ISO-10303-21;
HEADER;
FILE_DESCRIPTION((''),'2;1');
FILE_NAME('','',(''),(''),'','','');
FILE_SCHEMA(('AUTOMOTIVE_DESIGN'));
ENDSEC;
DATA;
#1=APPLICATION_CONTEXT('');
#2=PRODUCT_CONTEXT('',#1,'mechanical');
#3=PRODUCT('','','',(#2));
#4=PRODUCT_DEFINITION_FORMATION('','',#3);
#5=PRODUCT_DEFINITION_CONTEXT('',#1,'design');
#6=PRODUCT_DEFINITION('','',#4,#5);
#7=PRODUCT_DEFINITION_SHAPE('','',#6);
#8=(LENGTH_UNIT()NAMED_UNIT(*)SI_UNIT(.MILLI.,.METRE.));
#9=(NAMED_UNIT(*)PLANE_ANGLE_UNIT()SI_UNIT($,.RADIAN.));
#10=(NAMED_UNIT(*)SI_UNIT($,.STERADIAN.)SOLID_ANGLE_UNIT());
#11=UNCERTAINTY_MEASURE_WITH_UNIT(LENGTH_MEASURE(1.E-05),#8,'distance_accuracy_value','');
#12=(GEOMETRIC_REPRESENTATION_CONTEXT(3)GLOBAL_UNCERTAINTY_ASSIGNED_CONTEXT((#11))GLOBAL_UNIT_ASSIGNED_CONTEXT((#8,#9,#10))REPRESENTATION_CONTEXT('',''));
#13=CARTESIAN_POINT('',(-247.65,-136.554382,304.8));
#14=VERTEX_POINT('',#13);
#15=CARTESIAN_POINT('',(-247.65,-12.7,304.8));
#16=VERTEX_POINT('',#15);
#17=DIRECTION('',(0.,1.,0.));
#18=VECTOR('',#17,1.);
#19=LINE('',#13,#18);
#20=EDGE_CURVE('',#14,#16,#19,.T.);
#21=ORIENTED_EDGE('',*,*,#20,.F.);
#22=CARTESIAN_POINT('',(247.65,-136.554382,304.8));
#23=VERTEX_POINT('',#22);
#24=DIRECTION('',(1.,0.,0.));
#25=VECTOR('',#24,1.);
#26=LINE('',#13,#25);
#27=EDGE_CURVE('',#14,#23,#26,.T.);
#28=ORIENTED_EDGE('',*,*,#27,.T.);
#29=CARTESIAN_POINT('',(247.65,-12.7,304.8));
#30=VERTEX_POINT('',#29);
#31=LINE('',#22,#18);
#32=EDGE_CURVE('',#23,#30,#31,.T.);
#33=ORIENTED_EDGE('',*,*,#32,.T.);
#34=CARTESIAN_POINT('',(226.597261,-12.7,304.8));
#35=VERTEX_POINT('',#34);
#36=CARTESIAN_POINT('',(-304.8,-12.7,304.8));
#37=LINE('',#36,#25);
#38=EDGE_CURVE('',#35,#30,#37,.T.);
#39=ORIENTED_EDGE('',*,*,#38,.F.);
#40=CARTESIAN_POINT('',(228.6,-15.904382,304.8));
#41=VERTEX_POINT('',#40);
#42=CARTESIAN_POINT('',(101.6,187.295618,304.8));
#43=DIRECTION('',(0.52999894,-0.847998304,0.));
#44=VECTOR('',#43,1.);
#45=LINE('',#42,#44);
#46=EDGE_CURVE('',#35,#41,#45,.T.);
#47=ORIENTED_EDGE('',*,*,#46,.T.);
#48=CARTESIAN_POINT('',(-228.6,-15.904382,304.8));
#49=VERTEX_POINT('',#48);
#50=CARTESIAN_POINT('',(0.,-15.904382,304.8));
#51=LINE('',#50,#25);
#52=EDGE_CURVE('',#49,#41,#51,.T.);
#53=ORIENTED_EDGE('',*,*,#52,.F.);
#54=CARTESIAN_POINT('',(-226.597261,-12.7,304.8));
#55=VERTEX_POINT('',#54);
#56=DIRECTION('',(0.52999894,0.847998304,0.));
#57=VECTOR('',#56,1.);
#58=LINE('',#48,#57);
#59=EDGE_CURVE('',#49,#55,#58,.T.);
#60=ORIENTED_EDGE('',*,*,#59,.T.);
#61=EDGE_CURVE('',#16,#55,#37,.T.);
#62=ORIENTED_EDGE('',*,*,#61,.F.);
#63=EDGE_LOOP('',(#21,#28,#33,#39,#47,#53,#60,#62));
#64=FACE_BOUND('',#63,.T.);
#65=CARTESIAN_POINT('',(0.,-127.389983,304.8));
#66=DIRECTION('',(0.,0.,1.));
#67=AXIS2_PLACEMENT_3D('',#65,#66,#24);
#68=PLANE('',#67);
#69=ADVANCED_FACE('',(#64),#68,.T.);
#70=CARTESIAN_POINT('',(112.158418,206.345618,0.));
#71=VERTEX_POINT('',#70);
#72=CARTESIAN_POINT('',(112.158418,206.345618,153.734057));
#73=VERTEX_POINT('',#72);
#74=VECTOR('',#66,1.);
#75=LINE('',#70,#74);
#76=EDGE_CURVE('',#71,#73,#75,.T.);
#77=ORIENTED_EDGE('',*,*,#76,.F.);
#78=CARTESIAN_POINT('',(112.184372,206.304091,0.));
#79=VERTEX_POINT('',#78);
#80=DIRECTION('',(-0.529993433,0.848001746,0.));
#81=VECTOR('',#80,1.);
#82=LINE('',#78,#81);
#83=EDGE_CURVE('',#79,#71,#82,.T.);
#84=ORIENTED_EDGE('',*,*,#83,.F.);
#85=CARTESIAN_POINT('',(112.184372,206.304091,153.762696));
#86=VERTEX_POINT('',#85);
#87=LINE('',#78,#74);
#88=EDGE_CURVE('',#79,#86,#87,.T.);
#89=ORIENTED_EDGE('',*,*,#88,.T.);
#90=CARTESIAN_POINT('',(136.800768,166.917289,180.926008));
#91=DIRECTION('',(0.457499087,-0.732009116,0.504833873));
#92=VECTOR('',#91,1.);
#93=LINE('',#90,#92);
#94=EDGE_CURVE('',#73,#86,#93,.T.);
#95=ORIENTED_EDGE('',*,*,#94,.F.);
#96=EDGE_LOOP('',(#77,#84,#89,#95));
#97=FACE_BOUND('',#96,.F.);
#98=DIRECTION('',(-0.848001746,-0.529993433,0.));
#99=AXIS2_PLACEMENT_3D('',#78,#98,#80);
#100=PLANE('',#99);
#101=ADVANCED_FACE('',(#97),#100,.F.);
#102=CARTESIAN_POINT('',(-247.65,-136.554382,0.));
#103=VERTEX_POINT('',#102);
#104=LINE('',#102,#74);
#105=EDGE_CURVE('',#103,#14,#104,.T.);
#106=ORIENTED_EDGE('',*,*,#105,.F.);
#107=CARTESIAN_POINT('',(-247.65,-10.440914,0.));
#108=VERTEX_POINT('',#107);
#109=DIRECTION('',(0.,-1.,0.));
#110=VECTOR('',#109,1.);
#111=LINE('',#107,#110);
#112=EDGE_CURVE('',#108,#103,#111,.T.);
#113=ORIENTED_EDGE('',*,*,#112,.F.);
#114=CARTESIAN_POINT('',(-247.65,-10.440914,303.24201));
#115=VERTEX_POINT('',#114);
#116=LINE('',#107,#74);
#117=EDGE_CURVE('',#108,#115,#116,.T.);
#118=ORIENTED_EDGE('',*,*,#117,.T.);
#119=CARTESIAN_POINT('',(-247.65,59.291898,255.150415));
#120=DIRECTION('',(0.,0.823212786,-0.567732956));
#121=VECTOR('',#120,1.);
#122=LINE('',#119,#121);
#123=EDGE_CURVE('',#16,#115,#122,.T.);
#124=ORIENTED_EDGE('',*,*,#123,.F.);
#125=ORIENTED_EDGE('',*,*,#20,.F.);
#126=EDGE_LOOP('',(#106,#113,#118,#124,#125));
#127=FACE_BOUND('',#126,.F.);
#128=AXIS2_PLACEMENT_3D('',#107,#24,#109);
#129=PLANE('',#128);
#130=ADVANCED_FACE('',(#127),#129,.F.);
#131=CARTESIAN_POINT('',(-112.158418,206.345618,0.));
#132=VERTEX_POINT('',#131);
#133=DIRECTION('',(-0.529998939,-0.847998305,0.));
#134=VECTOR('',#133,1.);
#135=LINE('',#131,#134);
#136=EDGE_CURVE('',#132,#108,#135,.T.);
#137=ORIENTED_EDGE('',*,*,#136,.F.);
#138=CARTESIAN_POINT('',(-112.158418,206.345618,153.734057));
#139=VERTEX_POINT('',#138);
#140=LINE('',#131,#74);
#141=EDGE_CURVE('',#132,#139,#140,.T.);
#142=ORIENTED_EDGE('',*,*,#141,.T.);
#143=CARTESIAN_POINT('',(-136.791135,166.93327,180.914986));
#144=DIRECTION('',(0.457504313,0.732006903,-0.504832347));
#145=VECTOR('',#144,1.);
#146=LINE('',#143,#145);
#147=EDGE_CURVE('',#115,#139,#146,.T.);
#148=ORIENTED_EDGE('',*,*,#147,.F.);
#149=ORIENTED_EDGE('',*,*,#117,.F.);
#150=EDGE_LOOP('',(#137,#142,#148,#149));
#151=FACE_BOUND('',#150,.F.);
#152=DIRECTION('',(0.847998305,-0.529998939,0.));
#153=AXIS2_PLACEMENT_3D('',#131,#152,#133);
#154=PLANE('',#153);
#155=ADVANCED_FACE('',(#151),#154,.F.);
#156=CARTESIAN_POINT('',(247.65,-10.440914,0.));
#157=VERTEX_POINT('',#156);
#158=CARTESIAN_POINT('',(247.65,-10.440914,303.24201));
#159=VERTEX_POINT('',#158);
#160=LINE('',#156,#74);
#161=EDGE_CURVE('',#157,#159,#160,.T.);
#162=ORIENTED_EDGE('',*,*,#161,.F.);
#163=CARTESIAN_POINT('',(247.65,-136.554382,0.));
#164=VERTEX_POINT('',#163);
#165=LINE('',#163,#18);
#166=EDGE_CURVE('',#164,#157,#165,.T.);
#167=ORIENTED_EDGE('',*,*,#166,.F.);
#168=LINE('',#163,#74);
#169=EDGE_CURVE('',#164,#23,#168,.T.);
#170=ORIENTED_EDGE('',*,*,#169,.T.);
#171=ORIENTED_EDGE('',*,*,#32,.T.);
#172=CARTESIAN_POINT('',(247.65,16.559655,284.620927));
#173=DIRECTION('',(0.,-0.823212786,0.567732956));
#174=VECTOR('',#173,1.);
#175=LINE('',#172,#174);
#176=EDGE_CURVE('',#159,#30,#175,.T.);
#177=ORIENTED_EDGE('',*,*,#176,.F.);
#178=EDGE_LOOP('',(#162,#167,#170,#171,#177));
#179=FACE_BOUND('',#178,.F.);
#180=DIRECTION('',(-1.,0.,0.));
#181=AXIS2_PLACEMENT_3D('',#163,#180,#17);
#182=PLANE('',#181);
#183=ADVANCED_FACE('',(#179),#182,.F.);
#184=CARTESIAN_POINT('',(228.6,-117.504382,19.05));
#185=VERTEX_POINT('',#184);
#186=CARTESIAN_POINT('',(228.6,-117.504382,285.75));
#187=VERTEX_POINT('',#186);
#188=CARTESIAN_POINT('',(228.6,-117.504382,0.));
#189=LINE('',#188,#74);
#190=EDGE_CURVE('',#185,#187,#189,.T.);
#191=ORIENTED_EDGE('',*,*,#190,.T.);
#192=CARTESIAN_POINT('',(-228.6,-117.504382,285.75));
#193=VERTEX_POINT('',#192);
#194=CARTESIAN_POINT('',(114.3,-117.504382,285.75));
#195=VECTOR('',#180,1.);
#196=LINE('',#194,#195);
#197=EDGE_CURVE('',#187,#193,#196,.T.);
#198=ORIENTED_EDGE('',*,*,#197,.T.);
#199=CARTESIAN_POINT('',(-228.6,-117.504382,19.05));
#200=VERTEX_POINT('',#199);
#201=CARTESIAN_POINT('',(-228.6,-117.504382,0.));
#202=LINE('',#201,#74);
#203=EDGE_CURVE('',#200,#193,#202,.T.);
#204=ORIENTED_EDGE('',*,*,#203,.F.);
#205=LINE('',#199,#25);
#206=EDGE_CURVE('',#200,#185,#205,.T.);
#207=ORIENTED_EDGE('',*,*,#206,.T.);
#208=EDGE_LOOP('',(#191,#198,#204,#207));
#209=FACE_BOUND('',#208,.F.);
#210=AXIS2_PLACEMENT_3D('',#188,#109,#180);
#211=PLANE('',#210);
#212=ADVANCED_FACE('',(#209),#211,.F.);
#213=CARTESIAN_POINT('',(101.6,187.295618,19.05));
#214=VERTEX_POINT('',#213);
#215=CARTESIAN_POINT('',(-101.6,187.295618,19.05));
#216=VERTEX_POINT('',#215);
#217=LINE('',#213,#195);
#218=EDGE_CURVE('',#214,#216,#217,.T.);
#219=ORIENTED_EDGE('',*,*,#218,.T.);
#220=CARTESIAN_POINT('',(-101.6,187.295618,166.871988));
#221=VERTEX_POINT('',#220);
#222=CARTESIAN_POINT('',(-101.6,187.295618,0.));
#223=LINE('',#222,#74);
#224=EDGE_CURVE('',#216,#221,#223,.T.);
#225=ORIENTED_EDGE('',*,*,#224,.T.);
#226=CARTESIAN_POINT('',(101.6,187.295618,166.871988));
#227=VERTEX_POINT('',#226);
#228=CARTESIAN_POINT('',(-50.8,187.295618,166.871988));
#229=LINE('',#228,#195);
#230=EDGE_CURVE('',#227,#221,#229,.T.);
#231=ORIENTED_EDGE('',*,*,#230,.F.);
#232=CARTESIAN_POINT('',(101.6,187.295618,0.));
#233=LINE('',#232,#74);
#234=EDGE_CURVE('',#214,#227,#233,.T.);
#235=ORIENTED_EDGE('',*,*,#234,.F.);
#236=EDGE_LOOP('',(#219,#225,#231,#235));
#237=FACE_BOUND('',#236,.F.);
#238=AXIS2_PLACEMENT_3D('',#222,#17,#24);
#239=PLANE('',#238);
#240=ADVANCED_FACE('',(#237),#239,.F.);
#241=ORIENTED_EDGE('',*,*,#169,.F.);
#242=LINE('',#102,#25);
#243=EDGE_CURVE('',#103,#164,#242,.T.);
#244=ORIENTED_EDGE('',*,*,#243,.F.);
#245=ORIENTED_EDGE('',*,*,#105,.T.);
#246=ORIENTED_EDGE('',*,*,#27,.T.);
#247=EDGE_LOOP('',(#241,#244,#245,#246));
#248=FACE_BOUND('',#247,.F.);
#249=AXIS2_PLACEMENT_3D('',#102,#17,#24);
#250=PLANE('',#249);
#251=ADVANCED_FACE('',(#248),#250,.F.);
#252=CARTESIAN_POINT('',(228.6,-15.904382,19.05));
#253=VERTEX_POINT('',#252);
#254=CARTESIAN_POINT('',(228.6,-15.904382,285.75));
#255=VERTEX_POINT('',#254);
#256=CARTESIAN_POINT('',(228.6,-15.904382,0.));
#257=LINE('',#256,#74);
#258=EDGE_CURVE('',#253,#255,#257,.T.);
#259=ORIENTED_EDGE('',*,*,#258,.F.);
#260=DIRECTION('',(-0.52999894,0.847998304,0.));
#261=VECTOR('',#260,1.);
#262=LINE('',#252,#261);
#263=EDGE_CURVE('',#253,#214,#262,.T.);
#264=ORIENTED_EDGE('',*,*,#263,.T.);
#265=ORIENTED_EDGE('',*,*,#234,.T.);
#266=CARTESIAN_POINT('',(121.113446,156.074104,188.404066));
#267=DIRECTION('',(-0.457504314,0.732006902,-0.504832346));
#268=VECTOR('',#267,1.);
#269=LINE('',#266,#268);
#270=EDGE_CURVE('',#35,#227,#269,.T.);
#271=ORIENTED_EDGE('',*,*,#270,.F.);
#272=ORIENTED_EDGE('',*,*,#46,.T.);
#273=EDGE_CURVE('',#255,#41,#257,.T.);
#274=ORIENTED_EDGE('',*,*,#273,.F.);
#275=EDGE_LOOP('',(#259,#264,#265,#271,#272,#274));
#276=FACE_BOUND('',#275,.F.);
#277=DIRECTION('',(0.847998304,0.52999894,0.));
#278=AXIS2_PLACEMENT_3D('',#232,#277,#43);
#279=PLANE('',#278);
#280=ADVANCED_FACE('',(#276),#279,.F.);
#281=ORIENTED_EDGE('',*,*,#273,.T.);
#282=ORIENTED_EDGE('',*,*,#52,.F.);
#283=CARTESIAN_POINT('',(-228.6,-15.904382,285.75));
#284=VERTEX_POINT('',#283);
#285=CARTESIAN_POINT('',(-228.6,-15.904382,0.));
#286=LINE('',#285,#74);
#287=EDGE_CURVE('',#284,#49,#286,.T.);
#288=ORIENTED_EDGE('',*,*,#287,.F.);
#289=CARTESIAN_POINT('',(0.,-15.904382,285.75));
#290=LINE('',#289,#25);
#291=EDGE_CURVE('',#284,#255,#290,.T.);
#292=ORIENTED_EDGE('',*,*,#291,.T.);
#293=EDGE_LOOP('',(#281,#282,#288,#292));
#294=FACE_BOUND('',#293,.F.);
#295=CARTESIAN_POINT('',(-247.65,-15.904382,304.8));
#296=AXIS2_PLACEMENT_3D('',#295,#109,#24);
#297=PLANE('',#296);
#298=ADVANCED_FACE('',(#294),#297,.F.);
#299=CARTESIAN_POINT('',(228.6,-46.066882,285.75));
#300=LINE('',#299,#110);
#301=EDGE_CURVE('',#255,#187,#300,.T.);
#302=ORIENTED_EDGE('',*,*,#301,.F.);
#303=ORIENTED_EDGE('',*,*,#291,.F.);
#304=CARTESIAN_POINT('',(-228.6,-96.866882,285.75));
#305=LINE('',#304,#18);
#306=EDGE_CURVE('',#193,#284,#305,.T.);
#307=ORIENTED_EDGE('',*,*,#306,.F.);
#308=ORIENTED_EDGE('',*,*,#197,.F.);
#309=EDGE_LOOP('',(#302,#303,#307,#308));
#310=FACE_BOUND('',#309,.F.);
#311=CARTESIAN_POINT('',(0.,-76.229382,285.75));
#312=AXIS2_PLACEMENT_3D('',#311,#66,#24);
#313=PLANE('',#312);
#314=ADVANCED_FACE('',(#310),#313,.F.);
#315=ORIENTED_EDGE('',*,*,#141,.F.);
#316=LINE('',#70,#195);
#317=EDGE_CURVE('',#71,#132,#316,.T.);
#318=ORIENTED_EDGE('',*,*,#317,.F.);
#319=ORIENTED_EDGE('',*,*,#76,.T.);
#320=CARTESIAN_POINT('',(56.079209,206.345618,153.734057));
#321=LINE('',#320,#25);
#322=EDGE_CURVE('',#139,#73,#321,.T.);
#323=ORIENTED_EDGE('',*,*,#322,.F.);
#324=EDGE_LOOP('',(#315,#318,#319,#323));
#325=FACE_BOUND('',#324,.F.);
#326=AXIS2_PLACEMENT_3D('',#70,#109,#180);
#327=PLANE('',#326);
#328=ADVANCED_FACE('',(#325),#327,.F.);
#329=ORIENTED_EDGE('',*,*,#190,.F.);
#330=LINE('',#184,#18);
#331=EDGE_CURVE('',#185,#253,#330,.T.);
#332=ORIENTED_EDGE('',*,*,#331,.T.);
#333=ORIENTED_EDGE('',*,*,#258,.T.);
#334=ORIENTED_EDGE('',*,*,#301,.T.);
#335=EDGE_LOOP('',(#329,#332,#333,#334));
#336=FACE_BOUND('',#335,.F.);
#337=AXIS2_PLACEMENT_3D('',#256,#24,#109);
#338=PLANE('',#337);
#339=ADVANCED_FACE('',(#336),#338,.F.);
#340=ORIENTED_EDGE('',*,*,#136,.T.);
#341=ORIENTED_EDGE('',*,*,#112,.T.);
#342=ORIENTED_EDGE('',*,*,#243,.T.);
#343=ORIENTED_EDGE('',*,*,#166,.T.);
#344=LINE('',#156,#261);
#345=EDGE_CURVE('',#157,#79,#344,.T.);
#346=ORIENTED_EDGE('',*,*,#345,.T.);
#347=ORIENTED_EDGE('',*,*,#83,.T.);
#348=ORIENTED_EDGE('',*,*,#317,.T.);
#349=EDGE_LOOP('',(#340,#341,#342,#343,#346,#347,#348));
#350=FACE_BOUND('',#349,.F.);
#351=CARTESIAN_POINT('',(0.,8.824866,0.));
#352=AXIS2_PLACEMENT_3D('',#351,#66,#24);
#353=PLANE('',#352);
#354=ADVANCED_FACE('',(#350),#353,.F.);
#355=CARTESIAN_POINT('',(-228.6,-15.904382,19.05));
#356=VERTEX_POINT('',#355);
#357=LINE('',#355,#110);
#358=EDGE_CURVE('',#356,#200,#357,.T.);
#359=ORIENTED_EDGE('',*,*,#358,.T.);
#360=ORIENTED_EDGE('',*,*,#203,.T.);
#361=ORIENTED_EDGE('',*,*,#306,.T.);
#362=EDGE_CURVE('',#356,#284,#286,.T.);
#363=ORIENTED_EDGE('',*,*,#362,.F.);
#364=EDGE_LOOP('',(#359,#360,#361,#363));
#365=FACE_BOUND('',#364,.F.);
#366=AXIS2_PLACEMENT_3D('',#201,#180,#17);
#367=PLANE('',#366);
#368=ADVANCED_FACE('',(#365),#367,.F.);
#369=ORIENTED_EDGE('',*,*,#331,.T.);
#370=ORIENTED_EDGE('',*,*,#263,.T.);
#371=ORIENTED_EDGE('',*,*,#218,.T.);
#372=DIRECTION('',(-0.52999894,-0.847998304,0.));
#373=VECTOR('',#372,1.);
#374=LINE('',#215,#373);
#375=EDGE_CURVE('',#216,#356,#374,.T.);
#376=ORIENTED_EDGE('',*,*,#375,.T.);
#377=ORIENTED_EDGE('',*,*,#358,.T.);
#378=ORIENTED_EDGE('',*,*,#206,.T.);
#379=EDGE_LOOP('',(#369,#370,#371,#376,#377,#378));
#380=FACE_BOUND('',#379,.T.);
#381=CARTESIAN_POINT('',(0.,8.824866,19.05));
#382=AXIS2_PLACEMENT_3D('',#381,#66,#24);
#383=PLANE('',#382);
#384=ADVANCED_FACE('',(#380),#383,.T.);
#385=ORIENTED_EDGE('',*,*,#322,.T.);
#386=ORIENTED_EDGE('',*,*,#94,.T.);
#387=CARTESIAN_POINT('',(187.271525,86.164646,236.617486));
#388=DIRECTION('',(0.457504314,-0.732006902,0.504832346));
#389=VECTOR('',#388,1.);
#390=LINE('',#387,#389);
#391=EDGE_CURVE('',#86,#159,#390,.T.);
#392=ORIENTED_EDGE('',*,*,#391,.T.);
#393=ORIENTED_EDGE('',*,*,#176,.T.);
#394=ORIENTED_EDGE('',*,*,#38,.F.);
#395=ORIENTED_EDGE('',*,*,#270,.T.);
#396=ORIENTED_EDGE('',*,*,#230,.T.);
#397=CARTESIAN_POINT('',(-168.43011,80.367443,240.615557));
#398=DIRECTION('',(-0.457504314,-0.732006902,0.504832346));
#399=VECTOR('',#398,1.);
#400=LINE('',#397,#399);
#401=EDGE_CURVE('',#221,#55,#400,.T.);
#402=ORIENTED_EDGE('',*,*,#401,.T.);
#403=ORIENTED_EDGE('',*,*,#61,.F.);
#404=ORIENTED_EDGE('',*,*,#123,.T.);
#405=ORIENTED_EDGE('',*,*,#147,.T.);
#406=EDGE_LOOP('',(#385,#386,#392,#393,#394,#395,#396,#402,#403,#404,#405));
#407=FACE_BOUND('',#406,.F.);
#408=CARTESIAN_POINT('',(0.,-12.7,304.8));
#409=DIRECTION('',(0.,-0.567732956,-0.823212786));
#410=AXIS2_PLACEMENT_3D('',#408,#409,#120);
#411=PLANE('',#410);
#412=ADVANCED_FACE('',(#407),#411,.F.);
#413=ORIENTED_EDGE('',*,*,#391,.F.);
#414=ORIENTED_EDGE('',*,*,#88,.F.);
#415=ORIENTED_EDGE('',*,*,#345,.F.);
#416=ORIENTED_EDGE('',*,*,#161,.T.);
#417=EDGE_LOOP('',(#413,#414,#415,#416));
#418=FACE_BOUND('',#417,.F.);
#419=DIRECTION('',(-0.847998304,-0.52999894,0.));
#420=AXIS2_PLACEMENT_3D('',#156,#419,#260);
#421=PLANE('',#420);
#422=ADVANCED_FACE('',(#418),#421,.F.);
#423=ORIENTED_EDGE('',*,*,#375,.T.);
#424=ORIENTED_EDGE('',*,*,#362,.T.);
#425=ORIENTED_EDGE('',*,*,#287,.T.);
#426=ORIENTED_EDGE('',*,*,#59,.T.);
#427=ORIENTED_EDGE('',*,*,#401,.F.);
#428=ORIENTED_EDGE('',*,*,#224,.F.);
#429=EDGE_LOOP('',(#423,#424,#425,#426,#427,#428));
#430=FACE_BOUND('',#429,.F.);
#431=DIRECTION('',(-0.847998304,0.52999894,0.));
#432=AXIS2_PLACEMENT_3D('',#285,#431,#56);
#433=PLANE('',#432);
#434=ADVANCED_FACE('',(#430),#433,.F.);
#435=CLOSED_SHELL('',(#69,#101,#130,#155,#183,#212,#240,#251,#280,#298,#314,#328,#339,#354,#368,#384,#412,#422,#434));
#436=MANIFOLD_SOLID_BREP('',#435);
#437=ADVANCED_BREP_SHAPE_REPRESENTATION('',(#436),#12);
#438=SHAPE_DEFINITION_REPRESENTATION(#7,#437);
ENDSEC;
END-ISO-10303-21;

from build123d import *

# Parameters (mm, degrees)
F1_DEPTH  = 177.8
F2_DEPTH  = 304.8
F3_DEPTH  = 304.8
F4_DEPTH  = 304.8
F5_DEPTH  = 304.8
F6_DEPTH  = 304.8
F7_DEPTH  = 19.05
F9_DEPTH  = 304.8
F10_W     = 495.3
F10_H     = 120.65
F11_DEPTH = 19.05


with BuildPart() as f1:
    # F0 (on Top) → F1 (new body)
    with BuildSketch(Plane.XY):
        Polygon((-112.158418, 206.345618), (-101.6, 187.295618), (101.6, 187.295618), (112.184372, 206.304091), (112.158418, 206.345618), align=None)
    extrude(amount=F1_DEPTH)

    # F0 (on Top) → F2 (join)
    with BuildSketch(Plane.XY):
        Polygon((-247.65, -10.440914), (-228.6, -15.904382), (-101.6, 187.295618), (-112.158418, 206.345618), align=None)
    extrude(amount=F2_DEPTH)

    # F0 (on Top) → F3 (join)
    with BuildSketch(Plane.XY):
        Polygon((101.6, 187.295618), (228.6, -15.904382), (247.65, -10.440914), (112.184372, 206.304091), align=None)
    extrude(amount=F3_DEPTH)

    # F0 (on Top) → F4 (join)
    with BuildSketch(Plane.XY):
        Polygon((-247.65, -136.554382), (-228.6, -117.504382), (-228.6, -15.904382), (-247.65, -10.440914), align=None)
    extrude(amount=F4_DEPTH)

    # F0 (on Top) → F5 (join)
    with BuildSketch(Plane.XY):
        Polygon((228.6, -15.904382), (228.6, -117.504382), (247.65, -136.554382), (247.65, -10.440914), align=None)
    extrude(amount=F5_DEPTH)

    # F0 (on Top) → F6 (join)
    with BuildSketch(Plane.XY):
        Polygon((228.6, -117.504382), (-228.6, -117.504382), (-247.65, -136.554382), (247.65, -136.554382), align=None)
    extrude(amount=F6_DEPTH)

    # F0 (on Top) → F7 (join)
    with BuildSketch(Plane.XY):
        Polygon((-228.6, -15.904382), (-228.6, -117.504382), (228.6, -117.504382), (228.6, -15.904382), (101.6, 187.295618), (-101.6, 187.295618), align=None)
    extrude(amount=F7_DEPTH)

    # F8 (on Right) → F9 (cut, symmetric)
    with BuildSketch(Plane.YZ):
        Polygon((-12.7, 311.536975), (-12.7, 304.8), (208.28, 152.4), (208.28, 311.536975), align=None)
    extrude(amount=F9_DEPTH, both=True, mode=Mode.SUBTRACT)

    # F10 (on face) → F11 (join)
    with BuildSketch(Plane.XY.offset(304.8)):
        with Locations((0, -76.229382)):
            Rectangle(F10_W, F10_H)
    extrude(amount=-F11_DEPTH)


solid = f1.part
